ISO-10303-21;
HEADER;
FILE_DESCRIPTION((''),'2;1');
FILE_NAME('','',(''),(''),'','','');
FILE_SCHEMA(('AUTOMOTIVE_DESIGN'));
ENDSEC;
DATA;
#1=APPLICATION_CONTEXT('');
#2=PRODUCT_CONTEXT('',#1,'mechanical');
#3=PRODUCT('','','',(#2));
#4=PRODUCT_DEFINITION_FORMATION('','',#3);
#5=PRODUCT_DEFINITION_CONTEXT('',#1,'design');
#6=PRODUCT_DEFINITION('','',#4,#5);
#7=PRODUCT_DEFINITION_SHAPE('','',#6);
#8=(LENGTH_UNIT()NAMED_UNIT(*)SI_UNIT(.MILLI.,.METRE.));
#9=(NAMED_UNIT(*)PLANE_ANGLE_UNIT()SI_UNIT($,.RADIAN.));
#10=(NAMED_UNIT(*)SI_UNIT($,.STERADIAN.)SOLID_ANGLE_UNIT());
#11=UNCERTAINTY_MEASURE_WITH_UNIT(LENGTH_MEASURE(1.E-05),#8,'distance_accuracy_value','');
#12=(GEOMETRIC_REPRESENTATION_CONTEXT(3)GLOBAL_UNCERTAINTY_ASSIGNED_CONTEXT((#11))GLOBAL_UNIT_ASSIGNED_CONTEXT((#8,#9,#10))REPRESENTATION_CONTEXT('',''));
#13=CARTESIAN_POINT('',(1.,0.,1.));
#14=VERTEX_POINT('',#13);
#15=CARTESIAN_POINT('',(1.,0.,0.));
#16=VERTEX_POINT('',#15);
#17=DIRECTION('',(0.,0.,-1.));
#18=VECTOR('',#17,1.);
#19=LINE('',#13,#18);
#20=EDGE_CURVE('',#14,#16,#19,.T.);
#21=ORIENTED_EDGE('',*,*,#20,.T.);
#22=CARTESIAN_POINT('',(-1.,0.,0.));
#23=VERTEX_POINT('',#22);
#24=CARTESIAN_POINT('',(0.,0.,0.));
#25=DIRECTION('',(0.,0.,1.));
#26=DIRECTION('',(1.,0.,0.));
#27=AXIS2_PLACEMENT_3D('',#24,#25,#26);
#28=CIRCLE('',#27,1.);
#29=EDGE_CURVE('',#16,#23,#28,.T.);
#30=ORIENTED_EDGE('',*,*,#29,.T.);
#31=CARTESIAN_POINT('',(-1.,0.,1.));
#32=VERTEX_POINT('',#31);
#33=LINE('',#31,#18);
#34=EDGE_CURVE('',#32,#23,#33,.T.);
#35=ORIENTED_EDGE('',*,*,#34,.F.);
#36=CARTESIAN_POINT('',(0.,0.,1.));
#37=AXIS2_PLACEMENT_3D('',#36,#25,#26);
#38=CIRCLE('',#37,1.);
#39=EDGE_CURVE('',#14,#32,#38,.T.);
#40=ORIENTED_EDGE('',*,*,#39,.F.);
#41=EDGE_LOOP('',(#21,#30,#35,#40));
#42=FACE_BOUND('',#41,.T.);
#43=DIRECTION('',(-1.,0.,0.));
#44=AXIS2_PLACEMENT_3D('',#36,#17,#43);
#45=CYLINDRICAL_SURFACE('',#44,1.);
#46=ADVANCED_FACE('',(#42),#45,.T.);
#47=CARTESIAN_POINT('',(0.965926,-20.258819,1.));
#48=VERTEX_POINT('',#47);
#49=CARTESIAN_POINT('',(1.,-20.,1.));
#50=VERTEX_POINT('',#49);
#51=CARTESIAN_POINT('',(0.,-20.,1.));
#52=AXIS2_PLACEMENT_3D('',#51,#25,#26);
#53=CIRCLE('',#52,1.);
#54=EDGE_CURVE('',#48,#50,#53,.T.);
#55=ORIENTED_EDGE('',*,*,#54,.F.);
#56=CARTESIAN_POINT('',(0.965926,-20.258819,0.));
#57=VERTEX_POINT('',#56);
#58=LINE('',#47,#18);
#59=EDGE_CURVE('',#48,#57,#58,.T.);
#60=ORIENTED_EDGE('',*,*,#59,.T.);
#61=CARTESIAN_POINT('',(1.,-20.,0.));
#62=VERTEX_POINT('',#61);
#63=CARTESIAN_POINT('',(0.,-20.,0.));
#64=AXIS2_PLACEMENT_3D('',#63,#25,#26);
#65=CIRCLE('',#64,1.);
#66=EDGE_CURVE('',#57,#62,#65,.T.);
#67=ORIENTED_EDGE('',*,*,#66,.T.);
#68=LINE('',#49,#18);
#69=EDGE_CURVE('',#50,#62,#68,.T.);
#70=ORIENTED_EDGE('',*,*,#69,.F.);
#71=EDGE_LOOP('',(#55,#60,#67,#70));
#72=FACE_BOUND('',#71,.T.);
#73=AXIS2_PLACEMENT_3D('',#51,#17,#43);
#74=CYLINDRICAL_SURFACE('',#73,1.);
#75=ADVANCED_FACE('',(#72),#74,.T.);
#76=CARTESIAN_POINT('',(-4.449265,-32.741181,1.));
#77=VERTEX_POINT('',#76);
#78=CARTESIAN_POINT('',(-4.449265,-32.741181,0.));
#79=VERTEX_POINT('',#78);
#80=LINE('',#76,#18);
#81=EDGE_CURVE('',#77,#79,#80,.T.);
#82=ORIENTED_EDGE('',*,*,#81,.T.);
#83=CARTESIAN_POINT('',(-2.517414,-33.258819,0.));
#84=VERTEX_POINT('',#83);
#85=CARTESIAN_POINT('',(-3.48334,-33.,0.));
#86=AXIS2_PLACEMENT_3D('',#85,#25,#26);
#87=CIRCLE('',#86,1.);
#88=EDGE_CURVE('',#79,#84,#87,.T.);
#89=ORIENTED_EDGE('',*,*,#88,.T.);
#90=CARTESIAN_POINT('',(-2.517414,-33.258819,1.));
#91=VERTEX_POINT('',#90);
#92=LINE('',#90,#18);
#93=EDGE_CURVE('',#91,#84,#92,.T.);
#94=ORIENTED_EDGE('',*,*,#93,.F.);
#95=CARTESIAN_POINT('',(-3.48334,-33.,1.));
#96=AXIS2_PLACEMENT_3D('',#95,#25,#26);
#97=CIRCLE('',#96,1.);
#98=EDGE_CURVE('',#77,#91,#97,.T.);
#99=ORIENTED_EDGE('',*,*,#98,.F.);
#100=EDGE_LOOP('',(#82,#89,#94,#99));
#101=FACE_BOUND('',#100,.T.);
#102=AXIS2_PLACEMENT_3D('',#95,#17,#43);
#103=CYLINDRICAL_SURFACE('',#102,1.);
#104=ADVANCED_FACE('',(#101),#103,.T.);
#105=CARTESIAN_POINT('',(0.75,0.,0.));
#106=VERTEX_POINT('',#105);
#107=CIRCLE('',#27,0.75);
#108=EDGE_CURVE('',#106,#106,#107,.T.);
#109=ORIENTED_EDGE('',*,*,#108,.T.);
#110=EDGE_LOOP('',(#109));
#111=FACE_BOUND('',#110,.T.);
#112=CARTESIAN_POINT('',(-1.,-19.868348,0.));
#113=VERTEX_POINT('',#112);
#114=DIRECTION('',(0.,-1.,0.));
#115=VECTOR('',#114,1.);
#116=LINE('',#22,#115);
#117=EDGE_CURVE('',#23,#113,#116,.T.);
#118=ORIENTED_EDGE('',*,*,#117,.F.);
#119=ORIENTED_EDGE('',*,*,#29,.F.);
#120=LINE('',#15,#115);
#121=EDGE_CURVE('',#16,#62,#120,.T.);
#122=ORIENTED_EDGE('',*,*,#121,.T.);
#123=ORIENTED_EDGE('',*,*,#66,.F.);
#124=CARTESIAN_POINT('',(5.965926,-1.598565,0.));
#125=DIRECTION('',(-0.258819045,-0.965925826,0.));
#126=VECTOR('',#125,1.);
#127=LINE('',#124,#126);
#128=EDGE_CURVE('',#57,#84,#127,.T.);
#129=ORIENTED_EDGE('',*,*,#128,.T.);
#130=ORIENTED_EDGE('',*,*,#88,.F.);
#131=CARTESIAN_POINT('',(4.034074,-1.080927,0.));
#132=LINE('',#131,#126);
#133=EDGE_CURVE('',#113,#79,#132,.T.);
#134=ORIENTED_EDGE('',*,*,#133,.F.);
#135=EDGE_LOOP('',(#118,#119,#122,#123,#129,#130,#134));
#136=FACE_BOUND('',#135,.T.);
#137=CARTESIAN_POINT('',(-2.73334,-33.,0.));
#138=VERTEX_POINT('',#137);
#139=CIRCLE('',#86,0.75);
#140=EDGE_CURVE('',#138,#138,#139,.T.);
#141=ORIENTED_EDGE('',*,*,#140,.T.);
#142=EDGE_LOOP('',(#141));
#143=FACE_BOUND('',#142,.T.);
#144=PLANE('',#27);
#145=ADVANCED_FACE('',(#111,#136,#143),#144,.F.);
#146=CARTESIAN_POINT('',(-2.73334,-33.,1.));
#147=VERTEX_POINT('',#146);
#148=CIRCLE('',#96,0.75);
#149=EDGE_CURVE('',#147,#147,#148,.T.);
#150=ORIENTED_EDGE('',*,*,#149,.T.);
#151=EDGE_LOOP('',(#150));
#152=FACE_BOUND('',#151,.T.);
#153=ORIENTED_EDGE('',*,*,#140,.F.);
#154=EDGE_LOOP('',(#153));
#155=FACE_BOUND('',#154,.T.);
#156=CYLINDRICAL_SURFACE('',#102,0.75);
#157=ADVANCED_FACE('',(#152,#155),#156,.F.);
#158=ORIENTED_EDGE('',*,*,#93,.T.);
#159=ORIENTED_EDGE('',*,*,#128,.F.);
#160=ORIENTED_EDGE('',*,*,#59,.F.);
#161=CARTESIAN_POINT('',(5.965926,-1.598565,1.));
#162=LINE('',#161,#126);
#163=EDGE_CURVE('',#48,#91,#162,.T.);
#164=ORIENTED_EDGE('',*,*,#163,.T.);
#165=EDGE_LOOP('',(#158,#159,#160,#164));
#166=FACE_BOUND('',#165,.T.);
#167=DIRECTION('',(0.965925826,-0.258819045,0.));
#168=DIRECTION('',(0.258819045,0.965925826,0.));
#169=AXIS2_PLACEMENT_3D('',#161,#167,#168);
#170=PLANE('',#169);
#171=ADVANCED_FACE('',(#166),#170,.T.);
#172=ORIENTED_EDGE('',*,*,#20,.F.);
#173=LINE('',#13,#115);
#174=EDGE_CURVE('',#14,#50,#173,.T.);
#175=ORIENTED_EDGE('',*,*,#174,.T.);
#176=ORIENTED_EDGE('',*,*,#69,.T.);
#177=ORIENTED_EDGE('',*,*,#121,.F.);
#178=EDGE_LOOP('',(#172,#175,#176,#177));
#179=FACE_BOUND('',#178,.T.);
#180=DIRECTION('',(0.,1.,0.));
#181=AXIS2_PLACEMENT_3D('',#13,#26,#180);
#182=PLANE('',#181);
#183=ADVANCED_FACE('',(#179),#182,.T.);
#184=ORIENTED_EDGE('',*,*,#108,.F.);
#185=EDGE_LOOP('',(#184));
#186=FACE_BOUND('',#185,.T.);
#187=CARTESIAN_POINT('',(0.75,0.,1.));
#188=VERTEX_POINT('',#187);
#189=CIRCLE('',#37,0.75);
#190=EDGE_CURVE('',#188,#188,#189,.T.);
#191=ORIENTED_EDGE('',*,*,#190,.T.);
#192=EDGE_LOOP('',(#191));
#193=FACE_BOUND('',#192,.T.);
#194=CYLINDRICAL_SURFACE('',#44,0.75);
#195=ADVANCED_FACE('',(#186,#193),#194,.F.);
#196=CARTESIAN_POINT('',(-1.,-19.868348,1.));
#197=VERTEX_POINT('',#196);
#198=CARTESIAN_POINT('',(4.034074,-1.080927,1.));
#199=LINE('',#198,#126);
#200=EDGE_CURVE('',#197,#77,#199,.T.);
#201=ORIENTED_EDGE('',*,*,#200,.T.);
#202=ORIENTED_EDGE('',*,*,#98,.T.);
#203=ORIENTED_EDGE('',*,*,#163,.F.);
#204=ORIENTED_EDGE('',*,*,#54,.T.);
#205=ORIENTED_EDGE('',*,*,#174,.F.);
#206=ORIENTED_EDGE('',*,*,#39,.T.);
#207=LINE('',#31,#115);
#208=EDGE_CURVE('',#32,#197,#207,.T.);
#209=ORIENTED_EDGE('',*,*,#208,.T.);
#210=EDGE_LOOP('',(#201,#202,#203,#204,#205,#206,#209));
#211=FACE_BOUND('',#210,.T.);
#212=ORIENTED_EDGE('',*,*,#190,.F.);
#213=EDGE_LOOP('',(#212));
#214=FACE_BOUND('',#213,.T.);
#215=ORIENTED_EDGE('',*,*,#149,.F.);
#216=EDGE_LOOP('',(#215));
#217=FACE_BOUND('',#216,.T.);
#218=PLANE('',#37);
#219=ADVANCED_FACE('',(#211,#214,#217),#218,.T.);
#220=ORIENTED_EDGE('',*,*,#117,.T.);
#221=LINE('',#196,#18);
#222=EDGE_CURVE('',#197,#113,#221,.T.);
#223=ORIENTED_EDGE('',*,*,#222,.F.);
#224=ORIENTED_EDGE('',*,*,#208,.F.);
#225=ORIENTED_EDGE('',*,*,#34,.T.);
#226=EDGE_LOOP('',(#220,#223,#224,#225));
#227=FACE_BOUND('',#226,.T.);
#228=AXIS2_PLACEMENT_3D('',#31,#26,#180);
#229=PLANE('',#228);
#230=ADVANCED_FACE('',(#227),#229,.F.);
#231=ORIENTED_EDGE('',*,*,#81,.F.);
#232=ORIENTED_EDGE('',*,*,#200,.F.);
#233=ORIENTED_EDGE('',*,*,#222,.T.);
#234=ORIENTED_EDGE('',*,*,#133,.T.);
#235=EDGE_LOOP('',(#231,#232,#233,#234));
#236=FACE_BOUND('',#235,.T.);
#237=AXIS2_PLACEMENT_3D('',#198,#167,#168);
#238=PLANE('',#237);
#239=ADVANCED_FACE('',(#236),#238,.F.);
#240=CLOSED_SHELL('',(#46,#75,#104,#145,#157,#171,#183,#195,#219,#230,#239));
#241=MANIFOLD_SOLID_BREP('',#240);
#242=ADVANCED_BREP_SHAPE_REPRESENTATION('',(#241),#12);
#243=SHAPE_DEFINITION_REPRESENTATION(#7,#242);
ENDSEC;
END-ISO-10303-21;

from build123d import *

# Parameters (mm, degrees)
SKETCH1_R           = 0.75
BOSS_EXTRUDE1_DEPTH = 1


with BuildPart() as part:
    # Sketch1 → Boss-Extrude1 (new body)
    with BuildSketch(Plane.XY):
        with BuildLine():
            Line((-2.517413675, -33.258819045), (0.965925826, -20.258819045))
            ThreePointArc((0.965925826, -20.258819045), (-0.130526192, -20.991444861), (-1, -20))
            Line((-1, -20), (-1, -19.868347502))
            Line((-1, -19.868347502), (-4.449265328, -32.741180955))
            ThreePointArc((-4.449265328, -32.741180955), (-3.742158547, -33.965925826), (-2.517413675, -33.258819045))
        make_face()
        with Locations((-3.483339502, -33)):
            Circle(SKETCH1_R, mode=Mode.SUBTRACT)
        with BuildLine():
            ThreePointArc((0.965925826, -20.258819045), (0.991444861, -20.130526192), (1, -20))
            ThreePointArc((1, -20), (0.130526192, -19.008555139), (-0.965925826, -19.741180955))
            Line((-0.965925826, -19.741180955), (-1, -19.868347502))
            Line((-1, -19.868347502), (-1, -20))
            ThreePointArc((-1, -20), (-0.130526192, -20.991444861), (0.965925826, -20.258819045))
        make_face()
        with BuildLine():
            Line((1, -20), (1, 0))
            ThreePointArc((1, 0), (0, 1), (-1, 0))
            Line((-1, 0), (-1, -19.868347502))
            Line((-1, -19.868347502), (-0.965925826, -19.741180955))
            ThreePointArc((-0.965925826, -19.741180955), (0.130526192, -19.008555139), (1, -20))
        make_face()
        Circle(SKETCH1_R, mode=Mode.SUBTRACT)
    extrude(amount=BOSS_EXTRUDE1_DEPTH)


solid = part.part
